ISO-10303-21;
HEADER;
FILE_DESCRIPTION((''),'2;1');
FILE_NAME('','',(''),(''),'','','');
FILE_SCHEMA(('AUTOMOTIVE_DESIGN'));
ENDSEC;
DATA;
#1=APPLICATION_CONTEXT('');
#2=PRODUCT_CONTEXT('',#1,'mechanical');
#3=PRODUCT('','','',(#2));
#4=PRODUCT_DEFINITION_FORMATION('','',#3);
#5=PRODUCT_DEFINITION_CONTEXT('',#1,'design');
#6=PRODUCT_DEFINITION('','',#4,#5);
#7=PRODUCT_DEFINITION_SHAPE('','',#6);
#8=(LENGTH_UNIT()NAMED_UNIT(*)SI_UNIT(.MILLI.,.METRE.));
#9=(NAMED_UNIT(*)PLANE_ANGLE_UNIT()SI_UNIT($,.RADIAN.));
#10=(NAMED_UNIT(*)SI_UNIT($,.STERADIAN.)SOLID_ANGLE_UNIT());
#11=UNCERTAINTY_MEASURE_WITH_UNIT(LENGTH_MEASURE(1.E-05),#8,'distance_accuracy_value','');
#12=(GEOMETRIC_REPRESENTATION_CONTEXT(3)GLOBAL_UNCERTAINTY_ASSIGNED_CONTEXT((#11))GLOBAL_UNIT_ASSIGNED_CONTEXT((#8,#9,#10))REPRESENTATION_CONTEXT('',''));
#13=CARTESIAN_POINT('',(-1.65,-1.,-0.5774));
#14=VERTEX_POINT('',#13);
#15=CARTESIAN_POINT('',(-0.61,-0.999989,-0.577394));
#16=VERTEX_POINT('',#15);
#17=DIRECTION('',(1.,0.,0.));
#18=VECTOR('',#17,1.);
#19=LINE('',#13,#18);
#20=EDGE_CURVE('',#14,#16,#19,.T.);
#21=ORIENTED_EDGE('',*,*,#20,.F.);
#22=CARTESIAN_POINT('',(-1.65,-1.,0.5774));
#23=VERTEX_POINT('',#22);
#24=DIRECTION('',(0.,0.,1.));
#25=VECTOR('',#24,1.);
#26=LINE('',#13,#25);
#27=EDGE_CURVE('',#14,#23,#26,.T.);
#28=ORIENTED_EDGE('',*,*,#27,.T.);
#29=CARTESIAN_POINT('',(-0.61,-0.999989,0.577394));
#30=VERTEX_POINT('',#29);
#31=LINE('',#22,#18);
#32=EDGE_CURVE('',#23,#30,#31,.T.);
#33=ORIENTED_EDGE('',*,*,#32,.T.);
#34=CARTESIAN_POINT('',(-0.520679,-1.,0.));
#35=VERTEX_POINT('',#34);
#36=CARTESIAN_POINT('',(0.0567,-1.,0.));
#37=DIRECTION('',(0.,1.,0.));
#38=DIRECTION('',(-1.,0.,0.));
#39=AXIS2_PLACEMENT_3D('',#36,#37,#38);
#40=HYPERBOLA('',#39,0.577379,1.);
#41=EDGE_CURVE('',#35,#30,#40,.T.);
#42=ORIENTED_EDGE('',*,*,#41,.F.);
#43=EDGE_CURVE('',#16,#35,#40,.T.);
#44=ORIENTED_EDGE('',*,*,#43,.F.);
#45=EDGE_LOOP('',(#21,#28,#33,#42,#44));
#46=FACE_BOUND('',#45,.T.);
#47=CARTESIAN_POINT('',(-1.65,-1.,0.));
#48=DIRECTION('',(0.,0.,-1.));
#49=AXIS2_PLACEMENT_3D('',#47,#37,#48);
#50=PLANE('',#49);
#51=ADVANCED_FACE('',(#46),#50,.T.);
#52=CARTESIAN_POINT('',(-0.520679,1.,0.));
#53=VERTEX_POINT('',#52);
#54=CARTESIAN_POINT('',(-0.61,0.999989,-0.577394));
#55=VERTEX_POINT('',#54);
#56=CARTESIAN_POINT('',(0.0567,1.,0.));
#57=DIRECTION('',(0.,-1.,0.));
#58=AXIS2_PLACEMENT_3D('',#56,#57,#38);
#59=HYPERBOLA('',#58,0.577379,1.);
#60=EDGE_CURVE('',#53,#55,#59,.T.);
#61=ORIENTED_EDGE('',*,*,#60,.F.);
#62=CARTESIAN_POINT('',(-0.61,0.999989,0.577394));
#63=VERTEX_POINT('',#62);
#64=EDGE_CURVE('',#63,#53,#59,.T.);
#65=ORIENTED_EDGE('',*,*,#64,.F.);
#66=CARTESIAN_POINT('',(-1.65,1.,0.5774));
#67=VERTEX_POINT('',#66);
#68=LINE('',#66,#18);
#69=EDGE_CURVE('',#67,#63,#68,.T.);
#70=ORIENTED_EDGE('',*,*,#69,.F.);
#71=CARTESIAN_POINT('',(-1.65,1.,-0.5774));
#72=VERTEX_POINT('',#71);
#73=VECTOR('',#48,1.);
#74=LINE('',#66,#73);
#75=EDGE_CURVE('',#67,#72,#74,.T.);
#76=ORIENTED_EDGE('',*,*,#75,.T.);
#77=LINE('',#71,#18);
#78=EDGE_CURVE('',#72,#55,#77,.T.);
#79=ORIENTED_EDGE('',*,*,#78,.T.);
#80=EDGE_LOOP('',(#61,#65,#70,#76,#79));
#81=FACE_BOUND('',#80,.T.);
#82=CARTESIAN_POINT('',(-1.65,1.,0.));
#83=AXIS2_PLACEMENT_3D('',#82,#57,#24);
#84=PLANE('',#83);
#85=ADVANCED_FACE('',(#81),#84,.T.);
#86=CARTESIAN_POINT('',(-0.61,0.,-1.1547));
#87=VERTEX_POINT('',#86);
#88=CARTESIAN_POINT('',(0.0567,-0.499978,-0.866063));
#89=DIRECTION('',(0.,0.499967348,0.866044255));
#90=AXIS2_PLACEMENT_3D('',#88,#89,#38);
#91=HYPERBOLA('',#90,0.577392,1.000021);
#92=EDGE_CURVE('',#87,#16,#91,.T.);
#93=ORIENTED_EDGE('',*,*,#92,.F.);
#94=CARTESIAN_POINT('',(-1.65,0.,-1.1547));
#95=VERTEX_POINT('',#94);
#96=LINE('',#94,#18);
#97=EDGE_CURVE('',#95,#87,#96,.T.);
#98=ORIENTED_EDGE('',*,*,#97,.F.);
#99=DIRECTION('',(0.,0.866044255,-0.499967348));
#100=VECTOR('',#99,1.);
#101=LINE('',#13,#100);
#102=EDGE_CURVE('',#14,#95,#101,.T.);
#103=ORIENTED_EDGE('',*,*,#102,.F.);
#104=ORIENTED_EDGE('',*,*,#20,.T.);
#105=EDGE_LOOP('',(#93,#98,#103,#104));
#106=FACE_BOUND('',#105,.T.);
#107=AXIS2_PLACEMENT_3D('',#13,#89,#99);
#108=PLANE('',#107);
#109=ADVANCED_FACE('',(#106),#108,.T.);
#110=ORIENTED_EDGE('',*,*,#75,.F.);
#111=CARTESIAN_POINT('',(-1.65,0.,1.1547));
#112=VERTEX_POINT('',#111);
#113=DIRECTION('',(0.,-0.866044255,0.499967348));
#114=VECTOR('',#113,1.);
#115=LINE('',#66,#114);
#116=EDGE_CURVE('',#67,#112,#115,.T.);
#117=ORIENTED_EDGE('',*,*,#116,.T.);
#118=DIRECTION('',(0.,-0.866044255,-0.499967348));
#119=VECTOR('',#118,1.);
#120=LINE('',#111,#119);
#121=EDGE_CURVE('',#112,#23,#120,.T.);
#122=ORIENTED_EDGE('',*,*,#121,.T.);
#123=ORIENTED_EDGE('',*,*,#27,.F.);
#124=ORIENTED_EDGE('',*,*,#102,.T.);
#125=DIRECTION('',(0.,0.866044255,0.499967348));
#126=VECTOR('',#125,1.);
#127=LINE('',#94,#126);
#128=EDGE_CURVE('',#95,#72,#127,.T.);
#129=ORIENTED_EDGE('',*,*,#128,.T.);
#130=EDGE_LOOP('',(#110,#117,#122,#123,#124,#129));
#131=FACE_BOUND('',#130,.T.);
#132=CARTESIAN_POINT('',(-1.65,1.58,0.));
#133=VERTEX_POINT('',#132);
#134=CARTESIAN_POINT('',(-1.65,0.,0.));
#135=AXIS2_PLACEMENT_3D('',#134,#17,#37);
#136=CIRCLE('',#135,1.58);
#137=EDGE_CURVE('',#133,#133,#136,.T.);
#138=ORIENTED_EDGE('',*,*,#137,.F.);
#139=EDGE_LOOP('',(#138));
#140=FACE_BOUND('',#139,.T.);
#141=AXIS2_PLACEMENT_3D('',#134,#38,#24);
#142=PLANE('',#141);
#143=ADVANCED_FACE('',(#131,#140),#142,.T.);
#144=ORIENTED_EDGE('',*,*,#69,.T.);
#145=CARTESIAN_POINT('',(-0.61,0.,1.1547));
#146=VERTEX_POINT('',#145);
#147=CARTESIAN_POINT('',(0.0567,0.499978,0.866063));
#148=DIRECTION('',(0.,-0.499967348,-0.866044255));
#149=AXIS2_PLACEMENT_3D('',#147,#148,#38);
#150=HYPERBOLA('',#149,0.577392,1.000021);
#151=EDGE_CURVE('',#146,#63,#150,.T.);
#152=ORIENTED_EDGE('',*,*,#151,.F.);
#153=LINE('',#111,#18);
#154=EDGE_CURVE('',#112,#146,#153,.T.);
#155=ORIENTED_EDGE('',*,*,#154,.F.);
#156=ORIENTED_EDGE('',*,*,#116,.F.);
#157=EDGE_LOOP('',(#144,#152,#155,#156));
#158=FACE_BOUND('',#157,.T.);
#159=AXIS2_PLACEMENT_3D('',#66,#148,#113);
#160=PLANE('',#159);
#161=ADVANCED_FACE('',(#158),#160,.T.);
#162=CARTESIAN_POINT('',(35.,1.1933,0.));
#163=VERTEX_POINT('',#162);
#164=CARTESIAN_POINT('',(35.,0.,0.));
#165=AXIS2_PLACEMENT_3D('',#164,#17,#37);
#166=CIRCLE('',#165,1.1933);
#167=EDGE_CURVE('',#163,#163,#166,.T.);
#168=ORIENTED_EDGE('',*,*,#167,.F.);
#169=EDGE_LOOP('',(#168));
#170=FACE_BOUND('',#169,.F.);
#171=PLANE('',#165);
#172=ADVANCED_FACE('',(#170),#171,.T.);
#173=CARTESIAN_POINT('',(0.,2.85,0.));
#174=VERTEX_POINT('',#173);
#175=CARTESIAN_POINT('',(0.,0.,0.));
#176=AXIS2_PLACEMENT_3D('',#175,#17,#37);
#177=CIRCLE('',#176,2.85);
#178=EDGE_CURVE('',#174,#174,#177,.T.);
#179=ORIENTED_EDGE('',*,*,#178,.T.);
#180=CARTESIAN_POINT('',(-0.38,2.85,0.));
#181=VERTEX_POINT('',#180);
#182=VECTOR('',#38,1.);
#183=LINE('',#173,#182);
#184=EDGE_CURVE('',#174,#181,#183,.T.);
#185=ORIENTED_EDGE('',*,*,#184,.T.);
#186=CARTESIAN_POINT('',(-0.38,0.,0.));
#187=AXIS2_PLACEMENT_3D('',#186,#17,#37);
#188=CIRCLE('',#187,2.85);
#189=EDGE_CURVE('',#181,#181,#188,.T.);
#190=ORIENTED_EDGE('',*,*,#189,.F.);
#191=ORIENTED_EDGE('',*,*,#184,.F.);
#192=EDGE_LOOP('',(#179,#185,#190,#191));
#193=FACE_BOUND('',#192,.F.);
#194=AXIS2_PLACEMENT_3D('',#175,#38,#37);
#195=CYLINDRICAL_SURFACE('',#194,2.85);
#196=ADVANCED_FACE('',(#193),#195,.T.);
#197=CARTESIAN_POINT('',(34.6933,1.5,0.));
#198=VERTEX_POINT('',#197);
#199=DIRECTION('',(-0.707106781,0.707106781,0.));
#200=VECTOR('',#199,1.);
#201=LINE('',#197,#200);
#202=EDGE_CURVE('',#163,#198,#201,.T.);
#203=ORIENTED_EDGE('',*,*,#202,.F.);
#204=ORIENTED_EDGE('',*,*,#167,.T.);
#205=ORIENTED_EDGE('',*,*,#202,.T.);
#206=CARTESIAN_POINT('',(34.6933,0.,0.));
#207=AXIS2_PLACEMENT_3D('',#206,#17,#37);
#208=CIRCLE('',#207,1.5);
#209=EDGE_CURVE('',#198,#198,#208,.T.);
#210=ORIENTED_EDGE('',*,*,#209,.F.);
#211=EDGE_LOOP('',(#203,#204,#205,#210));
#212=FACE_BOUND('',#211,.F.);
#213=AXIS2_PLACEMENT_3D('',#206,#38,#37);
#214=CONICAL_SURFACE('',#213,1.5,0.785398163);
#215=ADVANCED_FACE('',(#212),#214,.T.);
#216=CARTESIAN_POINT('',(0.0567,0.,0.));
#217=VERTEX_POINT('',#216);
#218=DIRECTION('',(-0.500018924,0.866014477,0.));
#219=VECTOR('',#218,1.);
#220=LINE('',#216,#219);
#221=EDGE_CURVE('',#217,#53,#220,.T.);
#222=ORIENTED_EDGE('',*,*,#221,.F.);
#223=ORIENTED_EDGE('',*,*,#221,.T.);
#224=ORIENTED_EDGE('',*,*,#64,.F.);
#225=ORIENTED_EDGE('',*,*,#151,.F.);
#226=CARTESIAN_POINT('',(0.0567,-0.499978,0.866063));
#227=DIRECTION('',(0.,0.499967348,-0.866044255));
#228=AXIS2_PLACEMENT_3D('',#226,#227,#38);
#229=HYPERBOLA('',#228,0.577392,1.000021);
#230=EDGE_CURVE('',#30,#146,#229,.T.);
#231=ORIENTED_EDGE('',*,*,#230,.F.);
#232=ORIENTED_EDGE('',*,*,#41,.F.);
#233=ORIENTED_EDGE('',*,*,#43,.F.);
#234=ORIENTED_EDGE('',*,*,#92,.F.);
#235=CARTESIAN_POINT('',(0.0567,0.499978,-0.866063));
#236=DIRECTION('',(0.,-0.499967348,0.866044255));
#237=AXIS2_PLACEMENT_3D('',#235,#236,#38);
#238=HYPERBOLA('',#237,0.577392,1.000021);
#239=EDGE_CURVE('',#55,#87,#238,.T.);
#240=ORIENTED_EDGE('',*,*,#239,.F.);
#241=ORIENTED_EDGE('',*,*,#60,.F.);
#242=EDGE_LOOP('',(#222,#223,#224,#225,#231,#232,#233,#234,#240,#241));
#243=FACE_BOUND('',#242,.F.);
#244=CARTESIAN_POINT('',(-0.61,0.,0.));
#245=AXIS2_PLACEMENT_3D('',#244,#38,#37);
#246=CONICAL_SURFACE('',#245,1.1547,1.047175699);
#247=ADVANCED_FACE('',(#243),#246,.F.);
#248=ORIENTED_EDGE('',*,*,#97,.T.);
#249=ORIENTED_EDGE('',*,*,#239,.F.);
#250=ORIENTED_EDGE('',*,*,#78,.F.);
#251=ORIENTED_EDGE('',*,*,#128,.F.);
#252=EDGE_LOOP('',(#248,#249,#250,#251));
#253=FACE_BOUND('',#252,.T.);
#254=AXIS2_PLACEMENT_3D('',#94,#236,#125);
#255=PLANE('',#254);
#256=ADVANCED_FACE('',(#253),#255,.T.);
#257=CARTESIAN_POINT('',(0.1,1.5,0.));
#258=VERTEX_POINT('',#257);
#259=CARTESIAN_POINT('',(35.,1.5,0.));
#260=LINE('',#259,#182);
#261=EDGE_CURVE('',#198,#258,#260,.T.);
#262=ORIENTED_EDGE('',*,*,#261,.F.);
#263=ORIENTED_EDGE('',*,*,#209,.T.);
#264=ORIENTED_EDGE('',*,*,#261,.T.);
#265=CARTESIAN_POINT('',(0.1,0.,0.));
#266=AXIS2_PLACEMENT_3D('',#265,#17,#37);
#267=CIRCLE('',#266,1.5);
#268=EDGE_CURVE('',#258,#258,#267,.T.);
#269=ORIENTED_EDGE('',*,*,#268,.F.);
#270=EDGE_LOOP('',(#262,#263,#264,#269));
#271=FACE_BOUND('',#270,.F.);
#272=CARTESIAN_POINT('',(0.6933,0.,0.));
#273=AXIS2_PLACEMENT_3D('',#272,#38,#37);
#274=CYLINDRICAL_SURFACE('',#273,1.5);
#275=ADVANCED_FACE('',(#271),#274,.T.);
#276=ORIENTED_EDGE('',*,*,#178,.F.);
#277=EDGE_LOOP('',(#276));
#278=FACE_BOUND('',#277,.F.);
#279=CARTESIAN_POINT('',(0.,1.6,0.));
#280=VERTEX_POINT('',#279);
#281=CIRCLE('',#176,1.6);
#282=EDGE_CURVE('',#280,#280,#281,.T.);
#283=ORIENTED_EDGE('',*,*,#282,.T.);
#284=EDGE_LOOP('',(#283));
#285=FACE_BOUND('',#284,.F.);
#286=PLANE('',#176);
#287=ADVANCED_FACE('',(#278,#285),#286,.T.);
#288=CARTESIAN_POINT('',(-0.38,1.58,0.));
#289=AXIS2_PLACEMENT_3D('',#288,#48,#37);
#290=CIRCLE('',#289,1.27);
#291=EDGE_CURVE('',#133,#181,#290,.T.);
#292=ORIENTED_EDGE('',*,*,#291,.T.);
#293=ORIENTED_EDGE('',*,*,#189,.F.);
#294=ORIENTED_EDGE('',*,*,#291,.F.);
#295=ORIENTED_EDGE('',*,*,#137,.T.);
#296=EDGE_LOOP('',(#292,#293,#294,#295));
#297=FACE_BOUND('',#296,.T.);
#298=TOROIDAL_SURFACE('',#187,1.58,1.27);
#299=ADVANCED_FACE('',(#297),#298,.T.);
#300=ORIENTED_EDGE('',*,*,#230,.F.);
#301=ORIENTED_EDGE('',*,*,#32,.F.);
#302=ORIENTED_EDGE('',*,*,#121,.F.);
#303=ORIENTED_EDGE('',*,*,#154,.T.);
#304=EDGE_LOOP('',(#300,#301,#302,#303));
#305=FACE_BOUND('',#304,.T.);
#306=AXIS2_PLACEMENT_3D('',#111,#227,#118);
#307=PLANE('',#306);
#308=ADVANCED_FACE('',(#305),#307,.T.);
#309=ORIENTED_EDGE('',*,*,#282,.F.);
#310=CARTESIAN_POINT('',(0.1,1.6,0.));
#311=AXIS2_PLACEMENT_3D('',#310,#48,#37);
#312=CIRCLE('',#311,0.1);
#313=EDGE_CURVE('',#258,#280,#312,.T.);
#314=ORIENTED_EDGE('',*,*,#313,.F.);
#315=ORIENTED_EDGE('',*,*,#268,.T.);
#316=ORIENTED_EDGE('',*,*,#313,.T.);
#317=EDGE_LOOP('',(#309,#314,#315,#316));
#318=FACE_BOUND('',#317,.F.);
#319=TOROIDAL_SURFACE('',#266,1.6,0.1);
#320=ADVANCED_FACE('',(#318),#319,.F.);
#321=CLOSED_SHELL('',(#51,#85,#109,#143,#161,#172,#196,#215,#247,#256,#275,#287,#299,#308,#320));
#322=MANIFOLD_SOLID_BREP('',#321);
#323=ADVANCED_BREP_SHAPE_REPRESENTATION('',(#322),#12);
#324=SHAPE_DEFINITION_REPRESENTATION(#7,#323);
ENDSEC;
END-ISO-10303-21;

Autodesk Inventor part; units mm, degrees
ref_plane "YZ Plane" through (0, 0, 0) normal (1, 0, 0) x (0, 1, 0)
ref_plane "XZ Plane" through (0, 0, 0) normal (0, 1, 0) x (-1, 0, 0)
sketch "Sketch1" plane through (0, 0, 0) normal (0, 0, 1) x (1, 0, 0)
  line L0 (0.0567, 0) -> (35, 0)
  line L1 (35, 0) -> (35, 1.5)
  line L2 (35, 1.5) -> (1, 1.5)
  line L3 (1, 1.5) -> (0.6933, 1.5)
  line L4 (0.6933, 1.5) -> (0, 1.5)
  line L5 (0, 1.5) -> (0, 2.85)
  line L6 (0, 2.85) -> (-1.65, 2.85)
  line L7 (-1.65, 2.85) -> (-1.65, 1.1547)
  line L8 (-1.65, 1.1547) -> (-0.61, 1.1547)
  line L9 (-0.61, 1.1547) -> (0.0567, 0)
  line L10 (-8.98, 0) -> (42.33, 0) projected
  line L11 (0, -0.57) -> (0, 3.42) projected
  line L12 (1, 1.5) -> (0, 1.5) construction
  dimension "d0" = 34
  dimension "d1" = 0.3067
  dimension "d2" = 1.65
  dimension "d3" = 1.04
  dimension "d4" = 60
  dimension "d5" = 3
  dimension "d6" = 3
  dimension "d7" = 2.3094
  dimension "d8" = 5.7
  dimension "d19" = 35
revolve "Body" add sketch "Sketch1" angle 360 about axis through (0.0567, 0, 0) along (1, 0, 0) contours L9 L11 L4 L3 L2 L1 L0 | L9 L8 L7 L6 L5 L11
sketch "Sketch2" plane through (-1.65, 0, 0) normal (-1, 0, 0) x (0, 0, 1)
  circle A0 centre (0, 0) radius 1.1547 projected
  line L0 (0, -3.99) -> (0, 3.99) projected
  line L1 (-3.99, 0) -> (3.99, 0) projected
  line L2 (1.1547, 0) -> (0.5774, -1)
  line L3 (0.5774, -1) -> (-0.5774, -1)
  line L4 (-0.5774, -1) -> (-1.1547, 0)
  line L5 (-1.1547, 0) -> (-0.5774, 1)
  line L6 (-0.5774, 1) -> (0.5774, 1)
  line L7 (0.5774, 1) -> (1.1547, 0)
extrude "Slot" add sketch "Sketch2" against normal up to next contours L7 A0 | A0 L2 | L6 L0 A0 | A0 L0 L3 | L0 L6 A0 | A0 L3 L0 | L4 A0 | A0 L5
fillet "Fillet1" radius 1.27 1 edges at (-1.65, -2.85, 0)
thread "Thread" size "M3x0.5" class "4g6g" standard "ANSI Metric M Profile" length 34
chamfer "Chamfer1" distance 0.3067 distance2 0.3067 1 edges at (35, -1.5, 0) measured on face at (35, -0.8773, -0.3972)
fillet "Fillet2" radius 0.1 1 edges at (0, -1.5, 0)
ref_plane "Work Plane1" through (30, 0, 0) normal (0, -0.5, 0.866) x (1, 0, 0)
equation "\"d16\" = RR"
equation "\"d12\" = GEL"
equation "\"d14\" = -0.5 * SPD + 0.5 * GD"
equation "\"d15\" = GUL"
equation "\"d29\" = R"
equation "\"d0\" = GEL"
equation "\"d1\" = GAL"
equation "\"d2\" = KOH"
equation "\"d3\" = INTI"
equation "\"d5\" = GD"
equation "\"d6\" = BDM"
equation "\"d7\" = 1.1547 * SW"
equation "\"d8\" = KOD"
equation "\"d19\" = NLG"
equation "\"GD\" = NND"
equation "\"NLG\" = 35"
equation "\"GEL\" = 34"
equation "\"KOD\" = 5.7"
equation "\"KOH\" = 1.65"
equation "\"INTI\" = 1.04"
equation "\"GAL\" = 0.61345 * PTC"
equation "\"GUL\" = 0.61345 * PTC"
equation "\"BDM\" = NND"
equation "\"SW\" = 2"
equation "\"RR\" = 1.27"
equation "\"SPD\" = 2.38655"
equation "\"d28\" = R"
equation "\"R\" = 0.1"
equation "\"TOA\" = 30deg"
equation "\"THREADDIA\" = 3"
equation "\"KOD1\" = KOD - 2 * RR"
equation "\"PTC\" = 0.5"
equation "\"NND\" = 3"
equation "\"E0\" = 1.155 * SW"
equation "\"GD1\" = THREADDIA - 1.2269 * PTC"
properties part number "ANSI B18.3.4M - M3 x 0.5 x 35, FHSBHCSM" material "Steel, Mild"
